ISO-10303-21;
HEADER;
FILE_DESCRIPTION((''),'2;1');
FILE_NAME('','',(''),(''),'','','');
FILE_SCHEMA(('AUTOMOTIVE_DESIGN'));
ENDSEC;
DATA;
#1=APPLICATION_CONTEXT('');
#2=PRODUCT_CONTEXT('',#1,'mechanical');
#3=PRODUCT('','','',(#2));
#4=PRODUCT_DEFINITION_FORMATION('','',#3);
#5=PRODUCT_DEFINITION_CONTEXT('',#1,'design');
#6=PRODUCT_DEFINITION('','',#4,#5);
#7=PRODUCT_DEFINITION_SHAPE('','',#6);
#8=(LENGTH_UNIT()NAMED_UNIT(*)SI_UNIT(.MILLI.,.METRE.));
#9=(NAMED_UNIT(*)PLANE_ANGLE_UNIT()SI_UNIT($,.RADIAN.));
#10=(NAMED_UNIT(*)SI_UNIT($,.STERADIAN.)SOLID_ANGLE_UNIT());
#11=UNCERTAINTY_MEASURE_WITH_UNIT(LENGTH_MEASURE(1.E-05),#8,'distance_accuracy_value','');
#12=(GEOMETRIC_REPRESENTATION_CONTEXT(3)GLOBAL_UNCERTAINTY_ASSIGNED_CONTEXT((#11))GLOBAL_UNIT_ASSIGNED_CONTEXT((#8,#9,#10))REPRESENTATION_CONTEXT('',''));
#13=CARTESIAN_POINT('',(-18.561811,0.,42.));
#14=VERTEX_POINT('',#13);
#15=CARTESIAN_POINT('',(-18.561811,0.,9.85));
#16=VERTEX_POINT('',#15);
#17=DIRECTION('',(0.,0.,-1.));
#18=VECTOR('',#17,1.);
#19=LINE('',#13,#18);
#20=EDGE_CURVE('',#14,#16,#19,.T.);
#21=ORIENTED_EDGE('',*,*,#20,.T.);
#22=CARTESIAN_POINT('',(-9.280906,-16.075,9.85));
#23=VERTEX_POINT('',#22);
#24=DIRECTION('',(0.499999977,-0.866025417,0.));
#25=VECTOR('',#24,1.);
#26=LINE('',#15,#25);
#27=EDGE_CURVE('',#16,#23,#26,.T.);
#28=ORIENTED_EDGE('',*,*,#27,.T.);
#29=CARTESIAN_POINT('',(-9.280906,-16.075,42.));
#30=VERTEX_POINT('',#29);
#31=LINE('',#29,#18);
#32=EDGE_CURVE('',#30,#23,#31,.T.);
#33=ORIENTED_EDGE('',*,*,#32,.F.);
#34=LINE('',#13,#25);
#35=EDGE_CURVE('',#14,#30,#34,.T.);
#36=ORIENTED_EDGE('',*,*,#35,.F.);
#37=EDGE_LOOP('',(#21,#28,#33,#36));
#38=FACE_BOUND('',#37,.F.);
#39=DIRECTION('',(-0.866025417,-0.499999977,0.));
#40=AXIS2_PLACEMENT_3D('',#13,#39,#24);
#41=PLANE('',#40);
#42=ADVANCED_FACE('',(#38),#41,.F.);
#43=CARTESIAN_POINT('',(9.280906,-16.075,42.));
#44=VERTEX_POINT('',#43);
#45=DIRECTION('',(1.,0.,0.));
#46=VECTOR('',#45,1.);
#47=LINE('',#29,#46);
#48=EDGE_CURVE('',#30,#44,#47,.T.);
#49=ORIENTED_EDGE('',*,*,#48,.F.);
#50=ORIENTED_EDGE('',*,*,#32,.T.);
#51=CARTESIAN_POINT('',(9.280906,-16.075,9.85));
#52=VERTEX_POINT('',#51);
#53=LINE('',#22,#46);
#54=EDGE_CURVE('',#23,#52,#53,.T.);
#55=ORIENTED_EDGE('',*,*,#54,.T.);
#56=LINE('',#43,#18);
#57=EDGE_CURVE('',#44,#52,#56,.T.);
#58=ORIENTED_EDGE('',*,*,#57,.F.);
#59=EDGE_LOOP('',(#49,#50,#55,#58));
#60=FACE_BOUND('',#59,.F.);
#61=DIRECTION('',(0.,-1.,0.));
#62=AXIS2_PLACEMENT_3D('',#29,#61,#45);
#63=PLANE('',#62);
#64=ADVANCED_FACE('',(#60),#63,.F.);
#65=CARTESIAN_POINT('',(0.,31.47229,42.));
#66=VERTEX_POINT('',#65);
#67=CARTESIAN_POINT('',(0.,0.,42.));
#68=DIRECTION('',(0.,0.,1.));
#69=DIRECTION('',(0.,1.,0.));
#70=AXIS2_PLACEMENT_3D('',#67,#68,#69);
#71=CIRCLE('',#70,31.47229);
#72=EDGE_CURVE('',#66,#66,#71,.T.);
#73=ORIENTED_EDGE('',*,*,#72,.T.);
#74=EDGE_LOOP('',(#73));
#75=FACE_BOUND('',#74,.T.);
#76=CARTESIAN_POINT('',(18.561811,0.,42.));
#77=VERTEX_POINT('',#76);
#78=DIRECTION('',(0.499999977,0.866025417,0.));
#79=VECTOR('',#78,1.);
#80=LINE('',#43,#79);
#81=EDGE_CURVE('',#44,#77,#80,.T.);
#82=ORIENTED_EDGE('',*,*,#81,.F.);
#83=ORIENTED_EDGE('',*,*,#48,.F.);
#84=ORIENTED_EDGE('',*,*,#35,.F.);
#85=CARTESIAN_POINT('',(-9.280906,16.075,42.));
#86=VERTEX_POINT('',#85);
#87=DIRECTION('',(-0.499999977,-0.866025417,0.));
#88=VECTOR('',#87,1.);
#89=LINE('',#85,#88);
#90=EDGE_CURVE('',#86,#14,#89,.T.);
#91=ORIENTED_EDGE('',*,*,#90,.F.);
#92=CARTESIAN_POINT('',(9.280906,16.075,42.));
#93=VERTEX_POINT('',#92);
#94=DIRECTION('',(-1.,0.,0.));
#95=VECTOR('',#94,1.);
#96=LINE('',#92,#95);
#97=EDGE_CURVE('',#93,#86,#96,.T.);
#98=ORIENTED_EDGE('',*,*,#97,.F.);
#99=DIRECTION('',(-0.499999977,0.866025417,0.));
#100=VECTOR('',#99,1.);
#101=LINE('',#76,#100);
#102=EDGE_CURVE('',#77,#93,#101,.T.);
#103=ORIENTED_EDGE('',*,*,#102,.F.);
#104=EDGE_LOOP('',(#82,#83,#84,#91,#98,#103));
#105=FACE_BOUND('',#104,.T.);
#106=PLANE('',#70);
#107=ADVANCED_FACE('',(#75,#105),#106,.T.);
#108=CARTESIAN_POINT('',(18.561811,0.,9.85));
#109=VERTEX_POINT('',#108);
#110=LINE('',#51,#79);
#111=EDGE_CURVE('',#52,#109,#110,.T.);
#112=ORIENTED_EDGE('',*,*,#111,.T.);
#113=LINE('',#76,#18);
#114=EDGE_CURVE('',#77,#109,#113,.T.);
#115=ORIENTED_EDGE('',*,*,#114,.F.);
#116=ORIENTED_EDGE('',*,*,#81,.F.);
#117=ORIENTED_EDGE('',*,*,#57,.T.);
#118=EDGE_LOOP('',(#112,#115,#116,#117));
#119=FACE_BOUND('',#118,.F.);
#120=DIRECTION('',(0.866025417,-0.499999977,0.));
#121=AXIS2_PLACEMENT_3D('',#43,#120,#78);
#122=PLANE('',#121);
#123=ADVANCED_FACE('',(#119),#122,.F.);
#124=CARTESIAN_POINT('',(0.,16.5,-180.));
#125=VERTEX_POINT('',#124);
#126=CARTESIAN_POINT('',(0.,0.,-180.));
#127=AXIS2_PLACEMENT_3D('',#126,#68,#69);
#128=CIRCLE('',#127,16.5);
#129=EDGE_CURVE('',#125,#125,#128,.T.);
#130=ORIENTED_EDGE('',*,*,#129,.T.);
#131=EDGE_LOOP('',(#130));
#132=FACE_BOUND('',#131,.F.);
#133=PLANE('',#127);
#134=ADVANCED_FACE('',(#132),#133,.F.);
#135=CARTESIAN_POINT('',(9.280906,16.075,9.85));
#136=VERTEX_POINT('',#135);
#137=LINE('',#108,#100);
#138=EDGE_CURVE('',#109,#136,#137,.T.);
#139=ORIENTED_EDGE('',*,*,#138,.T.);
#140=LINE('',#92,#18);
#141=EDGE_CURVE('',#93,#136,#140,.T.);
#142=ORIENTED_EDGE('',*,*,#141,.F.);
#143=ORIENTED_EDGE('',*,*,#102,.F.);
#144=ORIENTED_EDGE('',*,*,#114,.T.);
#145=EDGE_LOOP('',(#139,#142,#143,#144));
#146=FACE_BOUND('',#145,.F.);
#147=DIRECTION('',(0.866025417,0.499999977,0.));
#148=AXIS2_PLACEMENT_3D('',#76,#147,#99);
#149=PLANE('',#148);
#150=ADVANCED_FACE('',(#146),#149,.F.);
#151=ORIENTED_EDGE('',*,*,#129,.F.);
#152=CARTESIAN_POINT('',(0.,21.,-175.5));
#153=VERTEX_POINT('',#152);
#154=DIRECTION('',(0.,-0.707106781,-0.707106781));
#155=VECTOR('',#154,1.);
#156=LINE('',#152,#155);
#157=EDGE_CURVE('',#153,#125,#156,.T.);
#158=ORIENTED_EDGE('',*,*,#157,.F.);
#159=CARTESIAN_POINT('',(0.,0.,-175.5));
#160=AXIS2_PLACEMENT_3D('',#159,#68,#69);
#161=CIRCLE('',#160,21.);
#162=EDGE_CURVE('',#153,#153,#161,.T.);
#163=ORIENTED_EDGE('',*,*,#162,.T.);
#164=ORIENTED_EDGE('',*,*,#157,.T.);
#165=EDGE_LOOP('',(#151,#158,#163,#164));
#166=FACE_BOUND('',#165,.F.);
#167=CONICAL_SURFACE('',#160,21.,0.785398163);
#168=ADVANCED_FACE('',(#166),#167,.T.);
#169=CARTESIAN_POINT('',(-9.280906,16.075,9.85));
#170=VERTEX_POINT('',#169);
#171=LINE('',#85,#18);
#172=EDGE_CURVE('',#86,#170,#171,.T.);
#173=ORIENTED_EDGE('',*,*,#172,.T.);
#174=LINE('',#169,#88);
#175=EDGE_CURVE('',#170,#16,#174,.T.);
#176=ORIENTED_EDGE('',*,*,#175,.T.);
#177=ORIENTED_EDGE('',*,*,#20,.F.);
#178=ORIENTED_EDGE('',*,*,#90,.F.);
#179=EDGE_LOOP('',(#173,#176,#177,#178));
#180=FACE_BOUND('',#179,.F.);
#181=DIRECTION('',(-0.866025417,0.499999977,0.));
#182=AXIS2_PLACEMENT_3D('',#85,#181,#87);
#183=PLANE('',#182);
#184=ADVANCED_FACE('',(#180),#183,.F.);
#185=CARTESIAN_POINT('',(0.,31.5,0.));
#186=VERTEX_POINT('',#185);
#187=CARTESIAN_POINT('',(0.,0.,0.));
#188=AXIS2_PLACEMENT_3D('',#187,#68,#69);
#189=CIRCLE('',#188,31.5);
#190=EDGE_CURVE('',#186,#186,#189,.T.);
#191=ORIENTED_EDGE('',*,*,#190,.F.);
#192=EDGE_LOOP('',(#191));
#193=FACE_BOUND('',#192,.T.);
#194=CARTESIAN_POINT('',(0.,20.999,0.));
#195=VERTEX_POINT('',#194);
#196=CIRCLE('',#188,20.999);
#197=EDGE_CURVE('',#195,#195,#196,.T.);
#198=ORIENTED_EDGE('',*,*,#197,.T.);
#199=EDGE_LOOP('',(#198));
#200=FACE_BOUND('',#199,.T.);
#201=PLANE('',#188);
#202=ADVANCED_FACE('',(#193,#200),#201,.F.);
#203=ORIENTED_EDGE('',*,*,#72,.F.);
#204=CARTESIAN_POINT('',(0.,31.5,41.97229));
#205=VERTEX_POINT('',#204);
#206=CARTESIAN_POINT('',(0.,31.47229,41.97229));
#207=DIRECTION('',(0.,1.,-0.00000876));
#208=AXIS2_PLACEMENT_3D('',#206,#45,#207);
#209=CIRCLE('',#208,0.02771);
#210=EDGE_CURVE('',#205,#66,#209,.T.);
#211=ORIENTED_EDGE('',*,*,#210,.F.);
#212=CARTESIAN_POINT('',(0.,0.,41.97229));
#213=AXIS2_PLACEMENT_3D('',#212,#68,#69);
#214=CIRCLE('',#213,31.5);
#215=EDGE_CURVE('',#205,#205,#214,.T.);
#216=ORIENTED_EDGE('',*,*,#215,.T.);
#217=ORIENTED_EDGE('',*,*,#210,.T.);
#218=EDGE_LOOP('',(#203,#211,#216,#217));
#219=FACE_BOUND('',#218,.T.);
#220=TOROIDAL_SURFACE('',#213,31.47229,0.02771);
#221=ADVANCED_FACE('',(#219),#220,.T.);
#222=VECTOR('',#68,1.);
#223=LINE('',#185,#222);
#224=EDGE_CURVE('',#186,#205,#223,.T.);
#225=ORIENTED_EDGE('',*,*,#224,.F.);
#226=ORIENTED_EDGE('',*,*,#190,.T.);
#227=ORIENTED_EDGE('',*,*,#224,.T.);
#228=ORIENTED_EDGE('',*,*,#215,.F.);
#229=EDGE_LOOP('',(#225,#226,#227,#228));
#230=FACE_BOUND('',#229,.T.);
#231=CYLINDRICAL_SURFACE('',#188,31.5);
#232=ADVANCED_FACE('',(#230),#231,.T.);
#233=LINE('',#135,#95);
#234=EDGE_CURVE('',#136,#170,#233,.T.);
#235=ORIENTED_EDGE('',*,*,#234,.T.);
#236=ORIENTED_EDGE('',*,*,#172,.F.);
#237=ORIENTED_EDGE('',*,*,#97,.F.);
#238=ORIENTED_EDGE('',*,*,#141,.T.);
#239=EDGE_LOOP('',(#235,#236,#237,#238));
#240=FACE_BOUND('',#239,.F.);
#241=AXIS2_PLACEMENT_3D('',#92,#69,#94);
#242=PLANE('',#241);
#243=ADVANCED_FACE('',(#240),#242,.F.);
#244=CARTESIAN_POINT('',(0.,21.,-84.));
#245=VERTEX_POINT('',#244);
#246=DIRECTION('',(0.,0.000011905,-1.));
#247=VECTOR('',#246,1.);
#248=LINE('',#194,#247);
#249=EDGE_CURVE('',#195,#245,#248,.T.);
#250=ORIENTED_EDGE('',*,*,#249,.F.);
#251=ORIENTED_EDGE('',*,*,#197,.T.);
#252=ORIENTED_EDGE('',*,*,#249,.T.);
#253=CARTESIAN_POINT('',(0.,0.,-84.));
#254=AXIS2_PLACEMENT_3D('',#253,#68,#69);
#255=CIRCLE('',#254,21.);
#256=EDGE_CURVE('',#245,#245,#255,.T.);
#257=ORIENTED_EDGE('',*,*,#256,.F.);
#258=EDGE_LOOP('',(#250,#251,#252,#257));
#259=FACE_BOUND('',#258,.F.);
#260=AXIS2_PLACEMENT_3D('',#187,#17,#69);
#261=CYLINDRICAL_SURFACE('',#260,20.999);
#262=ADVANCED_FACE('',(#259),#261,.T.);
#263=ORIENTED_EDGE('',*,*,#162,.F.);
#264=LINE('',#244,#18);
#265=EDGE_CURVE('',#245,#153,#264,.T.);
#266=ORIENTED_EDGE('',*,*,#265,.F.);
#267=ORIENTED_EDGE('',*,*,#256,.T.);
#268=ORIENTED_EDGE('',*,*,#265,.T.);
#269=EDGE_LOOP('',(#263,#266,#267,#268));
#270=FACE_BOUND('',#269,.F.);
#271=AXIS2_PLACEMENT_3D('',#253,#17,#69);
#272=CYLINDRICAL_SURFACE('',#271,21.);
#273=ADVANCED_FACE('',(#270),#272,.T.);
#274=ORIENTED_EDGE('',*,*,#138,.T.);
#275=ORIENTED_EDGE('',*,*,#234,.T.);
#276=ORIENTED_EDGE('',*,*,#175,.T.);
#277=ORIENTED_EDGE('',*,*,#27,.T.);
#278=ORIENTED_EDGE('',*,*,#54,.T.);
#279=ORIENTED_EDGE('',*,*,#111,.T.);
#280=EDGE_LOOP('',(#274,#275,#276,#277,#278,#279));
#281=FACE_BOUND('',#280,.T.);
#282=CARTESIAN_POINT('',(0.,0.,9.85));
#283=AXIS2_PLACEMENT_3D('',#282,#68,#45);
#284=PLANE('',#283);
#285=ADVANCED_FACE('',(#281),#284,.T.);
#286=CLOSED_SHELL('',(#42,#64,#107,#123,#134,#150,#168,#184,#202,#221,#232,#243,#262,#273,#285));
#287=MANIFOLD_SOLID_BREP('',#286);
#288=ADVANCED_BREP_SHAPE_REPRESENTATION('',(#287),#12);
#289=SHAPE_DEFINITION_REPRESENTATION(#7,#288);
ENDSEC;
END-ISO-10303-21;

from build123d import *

# Parameters (mm, degrees)
POCKET_DEPTH = 32.15


with BuildPart() as part:
    # Sketch → Revolve (revolve)
    with BuildSketch(Plane.YZ):
        with BuildLine():
            Line((20.999, 0), (31.5, 0))
            Line((31.5, 0), (31.5, 41.97229))
            ThreePointArc((31.5, 41.97229), (31.491884, 41.991884), (31.47229, 42))
            Line((31.47229, 42), (0, 42))
            Line((0, -180), (0, 42))
            Line((16.5, -180), (0, -180))
            Line((21, -175.5), (16.5, -180))
            Line((21, -84), (21, -175.5))
            Line((20.999, 0), (21, -84))
        make_face()
    revolve(axis=Axis((0, 0, 0), (0, 0, 1)))

    # Sketch001 → Pocket (cut)
    with BuildSketch(Plane.XY.offset(42)):
        Polygon((18.561811, 0), (9.280906, 16.075), (-9.280906, 16.075), (-18.561811, 0), (-9.280906, -16.075), (9.280906, -16.075), align=None)
    extrude(amount=-POCKET_DEPTH, mode=Mode.SUBTRACT)


solid = part.part
